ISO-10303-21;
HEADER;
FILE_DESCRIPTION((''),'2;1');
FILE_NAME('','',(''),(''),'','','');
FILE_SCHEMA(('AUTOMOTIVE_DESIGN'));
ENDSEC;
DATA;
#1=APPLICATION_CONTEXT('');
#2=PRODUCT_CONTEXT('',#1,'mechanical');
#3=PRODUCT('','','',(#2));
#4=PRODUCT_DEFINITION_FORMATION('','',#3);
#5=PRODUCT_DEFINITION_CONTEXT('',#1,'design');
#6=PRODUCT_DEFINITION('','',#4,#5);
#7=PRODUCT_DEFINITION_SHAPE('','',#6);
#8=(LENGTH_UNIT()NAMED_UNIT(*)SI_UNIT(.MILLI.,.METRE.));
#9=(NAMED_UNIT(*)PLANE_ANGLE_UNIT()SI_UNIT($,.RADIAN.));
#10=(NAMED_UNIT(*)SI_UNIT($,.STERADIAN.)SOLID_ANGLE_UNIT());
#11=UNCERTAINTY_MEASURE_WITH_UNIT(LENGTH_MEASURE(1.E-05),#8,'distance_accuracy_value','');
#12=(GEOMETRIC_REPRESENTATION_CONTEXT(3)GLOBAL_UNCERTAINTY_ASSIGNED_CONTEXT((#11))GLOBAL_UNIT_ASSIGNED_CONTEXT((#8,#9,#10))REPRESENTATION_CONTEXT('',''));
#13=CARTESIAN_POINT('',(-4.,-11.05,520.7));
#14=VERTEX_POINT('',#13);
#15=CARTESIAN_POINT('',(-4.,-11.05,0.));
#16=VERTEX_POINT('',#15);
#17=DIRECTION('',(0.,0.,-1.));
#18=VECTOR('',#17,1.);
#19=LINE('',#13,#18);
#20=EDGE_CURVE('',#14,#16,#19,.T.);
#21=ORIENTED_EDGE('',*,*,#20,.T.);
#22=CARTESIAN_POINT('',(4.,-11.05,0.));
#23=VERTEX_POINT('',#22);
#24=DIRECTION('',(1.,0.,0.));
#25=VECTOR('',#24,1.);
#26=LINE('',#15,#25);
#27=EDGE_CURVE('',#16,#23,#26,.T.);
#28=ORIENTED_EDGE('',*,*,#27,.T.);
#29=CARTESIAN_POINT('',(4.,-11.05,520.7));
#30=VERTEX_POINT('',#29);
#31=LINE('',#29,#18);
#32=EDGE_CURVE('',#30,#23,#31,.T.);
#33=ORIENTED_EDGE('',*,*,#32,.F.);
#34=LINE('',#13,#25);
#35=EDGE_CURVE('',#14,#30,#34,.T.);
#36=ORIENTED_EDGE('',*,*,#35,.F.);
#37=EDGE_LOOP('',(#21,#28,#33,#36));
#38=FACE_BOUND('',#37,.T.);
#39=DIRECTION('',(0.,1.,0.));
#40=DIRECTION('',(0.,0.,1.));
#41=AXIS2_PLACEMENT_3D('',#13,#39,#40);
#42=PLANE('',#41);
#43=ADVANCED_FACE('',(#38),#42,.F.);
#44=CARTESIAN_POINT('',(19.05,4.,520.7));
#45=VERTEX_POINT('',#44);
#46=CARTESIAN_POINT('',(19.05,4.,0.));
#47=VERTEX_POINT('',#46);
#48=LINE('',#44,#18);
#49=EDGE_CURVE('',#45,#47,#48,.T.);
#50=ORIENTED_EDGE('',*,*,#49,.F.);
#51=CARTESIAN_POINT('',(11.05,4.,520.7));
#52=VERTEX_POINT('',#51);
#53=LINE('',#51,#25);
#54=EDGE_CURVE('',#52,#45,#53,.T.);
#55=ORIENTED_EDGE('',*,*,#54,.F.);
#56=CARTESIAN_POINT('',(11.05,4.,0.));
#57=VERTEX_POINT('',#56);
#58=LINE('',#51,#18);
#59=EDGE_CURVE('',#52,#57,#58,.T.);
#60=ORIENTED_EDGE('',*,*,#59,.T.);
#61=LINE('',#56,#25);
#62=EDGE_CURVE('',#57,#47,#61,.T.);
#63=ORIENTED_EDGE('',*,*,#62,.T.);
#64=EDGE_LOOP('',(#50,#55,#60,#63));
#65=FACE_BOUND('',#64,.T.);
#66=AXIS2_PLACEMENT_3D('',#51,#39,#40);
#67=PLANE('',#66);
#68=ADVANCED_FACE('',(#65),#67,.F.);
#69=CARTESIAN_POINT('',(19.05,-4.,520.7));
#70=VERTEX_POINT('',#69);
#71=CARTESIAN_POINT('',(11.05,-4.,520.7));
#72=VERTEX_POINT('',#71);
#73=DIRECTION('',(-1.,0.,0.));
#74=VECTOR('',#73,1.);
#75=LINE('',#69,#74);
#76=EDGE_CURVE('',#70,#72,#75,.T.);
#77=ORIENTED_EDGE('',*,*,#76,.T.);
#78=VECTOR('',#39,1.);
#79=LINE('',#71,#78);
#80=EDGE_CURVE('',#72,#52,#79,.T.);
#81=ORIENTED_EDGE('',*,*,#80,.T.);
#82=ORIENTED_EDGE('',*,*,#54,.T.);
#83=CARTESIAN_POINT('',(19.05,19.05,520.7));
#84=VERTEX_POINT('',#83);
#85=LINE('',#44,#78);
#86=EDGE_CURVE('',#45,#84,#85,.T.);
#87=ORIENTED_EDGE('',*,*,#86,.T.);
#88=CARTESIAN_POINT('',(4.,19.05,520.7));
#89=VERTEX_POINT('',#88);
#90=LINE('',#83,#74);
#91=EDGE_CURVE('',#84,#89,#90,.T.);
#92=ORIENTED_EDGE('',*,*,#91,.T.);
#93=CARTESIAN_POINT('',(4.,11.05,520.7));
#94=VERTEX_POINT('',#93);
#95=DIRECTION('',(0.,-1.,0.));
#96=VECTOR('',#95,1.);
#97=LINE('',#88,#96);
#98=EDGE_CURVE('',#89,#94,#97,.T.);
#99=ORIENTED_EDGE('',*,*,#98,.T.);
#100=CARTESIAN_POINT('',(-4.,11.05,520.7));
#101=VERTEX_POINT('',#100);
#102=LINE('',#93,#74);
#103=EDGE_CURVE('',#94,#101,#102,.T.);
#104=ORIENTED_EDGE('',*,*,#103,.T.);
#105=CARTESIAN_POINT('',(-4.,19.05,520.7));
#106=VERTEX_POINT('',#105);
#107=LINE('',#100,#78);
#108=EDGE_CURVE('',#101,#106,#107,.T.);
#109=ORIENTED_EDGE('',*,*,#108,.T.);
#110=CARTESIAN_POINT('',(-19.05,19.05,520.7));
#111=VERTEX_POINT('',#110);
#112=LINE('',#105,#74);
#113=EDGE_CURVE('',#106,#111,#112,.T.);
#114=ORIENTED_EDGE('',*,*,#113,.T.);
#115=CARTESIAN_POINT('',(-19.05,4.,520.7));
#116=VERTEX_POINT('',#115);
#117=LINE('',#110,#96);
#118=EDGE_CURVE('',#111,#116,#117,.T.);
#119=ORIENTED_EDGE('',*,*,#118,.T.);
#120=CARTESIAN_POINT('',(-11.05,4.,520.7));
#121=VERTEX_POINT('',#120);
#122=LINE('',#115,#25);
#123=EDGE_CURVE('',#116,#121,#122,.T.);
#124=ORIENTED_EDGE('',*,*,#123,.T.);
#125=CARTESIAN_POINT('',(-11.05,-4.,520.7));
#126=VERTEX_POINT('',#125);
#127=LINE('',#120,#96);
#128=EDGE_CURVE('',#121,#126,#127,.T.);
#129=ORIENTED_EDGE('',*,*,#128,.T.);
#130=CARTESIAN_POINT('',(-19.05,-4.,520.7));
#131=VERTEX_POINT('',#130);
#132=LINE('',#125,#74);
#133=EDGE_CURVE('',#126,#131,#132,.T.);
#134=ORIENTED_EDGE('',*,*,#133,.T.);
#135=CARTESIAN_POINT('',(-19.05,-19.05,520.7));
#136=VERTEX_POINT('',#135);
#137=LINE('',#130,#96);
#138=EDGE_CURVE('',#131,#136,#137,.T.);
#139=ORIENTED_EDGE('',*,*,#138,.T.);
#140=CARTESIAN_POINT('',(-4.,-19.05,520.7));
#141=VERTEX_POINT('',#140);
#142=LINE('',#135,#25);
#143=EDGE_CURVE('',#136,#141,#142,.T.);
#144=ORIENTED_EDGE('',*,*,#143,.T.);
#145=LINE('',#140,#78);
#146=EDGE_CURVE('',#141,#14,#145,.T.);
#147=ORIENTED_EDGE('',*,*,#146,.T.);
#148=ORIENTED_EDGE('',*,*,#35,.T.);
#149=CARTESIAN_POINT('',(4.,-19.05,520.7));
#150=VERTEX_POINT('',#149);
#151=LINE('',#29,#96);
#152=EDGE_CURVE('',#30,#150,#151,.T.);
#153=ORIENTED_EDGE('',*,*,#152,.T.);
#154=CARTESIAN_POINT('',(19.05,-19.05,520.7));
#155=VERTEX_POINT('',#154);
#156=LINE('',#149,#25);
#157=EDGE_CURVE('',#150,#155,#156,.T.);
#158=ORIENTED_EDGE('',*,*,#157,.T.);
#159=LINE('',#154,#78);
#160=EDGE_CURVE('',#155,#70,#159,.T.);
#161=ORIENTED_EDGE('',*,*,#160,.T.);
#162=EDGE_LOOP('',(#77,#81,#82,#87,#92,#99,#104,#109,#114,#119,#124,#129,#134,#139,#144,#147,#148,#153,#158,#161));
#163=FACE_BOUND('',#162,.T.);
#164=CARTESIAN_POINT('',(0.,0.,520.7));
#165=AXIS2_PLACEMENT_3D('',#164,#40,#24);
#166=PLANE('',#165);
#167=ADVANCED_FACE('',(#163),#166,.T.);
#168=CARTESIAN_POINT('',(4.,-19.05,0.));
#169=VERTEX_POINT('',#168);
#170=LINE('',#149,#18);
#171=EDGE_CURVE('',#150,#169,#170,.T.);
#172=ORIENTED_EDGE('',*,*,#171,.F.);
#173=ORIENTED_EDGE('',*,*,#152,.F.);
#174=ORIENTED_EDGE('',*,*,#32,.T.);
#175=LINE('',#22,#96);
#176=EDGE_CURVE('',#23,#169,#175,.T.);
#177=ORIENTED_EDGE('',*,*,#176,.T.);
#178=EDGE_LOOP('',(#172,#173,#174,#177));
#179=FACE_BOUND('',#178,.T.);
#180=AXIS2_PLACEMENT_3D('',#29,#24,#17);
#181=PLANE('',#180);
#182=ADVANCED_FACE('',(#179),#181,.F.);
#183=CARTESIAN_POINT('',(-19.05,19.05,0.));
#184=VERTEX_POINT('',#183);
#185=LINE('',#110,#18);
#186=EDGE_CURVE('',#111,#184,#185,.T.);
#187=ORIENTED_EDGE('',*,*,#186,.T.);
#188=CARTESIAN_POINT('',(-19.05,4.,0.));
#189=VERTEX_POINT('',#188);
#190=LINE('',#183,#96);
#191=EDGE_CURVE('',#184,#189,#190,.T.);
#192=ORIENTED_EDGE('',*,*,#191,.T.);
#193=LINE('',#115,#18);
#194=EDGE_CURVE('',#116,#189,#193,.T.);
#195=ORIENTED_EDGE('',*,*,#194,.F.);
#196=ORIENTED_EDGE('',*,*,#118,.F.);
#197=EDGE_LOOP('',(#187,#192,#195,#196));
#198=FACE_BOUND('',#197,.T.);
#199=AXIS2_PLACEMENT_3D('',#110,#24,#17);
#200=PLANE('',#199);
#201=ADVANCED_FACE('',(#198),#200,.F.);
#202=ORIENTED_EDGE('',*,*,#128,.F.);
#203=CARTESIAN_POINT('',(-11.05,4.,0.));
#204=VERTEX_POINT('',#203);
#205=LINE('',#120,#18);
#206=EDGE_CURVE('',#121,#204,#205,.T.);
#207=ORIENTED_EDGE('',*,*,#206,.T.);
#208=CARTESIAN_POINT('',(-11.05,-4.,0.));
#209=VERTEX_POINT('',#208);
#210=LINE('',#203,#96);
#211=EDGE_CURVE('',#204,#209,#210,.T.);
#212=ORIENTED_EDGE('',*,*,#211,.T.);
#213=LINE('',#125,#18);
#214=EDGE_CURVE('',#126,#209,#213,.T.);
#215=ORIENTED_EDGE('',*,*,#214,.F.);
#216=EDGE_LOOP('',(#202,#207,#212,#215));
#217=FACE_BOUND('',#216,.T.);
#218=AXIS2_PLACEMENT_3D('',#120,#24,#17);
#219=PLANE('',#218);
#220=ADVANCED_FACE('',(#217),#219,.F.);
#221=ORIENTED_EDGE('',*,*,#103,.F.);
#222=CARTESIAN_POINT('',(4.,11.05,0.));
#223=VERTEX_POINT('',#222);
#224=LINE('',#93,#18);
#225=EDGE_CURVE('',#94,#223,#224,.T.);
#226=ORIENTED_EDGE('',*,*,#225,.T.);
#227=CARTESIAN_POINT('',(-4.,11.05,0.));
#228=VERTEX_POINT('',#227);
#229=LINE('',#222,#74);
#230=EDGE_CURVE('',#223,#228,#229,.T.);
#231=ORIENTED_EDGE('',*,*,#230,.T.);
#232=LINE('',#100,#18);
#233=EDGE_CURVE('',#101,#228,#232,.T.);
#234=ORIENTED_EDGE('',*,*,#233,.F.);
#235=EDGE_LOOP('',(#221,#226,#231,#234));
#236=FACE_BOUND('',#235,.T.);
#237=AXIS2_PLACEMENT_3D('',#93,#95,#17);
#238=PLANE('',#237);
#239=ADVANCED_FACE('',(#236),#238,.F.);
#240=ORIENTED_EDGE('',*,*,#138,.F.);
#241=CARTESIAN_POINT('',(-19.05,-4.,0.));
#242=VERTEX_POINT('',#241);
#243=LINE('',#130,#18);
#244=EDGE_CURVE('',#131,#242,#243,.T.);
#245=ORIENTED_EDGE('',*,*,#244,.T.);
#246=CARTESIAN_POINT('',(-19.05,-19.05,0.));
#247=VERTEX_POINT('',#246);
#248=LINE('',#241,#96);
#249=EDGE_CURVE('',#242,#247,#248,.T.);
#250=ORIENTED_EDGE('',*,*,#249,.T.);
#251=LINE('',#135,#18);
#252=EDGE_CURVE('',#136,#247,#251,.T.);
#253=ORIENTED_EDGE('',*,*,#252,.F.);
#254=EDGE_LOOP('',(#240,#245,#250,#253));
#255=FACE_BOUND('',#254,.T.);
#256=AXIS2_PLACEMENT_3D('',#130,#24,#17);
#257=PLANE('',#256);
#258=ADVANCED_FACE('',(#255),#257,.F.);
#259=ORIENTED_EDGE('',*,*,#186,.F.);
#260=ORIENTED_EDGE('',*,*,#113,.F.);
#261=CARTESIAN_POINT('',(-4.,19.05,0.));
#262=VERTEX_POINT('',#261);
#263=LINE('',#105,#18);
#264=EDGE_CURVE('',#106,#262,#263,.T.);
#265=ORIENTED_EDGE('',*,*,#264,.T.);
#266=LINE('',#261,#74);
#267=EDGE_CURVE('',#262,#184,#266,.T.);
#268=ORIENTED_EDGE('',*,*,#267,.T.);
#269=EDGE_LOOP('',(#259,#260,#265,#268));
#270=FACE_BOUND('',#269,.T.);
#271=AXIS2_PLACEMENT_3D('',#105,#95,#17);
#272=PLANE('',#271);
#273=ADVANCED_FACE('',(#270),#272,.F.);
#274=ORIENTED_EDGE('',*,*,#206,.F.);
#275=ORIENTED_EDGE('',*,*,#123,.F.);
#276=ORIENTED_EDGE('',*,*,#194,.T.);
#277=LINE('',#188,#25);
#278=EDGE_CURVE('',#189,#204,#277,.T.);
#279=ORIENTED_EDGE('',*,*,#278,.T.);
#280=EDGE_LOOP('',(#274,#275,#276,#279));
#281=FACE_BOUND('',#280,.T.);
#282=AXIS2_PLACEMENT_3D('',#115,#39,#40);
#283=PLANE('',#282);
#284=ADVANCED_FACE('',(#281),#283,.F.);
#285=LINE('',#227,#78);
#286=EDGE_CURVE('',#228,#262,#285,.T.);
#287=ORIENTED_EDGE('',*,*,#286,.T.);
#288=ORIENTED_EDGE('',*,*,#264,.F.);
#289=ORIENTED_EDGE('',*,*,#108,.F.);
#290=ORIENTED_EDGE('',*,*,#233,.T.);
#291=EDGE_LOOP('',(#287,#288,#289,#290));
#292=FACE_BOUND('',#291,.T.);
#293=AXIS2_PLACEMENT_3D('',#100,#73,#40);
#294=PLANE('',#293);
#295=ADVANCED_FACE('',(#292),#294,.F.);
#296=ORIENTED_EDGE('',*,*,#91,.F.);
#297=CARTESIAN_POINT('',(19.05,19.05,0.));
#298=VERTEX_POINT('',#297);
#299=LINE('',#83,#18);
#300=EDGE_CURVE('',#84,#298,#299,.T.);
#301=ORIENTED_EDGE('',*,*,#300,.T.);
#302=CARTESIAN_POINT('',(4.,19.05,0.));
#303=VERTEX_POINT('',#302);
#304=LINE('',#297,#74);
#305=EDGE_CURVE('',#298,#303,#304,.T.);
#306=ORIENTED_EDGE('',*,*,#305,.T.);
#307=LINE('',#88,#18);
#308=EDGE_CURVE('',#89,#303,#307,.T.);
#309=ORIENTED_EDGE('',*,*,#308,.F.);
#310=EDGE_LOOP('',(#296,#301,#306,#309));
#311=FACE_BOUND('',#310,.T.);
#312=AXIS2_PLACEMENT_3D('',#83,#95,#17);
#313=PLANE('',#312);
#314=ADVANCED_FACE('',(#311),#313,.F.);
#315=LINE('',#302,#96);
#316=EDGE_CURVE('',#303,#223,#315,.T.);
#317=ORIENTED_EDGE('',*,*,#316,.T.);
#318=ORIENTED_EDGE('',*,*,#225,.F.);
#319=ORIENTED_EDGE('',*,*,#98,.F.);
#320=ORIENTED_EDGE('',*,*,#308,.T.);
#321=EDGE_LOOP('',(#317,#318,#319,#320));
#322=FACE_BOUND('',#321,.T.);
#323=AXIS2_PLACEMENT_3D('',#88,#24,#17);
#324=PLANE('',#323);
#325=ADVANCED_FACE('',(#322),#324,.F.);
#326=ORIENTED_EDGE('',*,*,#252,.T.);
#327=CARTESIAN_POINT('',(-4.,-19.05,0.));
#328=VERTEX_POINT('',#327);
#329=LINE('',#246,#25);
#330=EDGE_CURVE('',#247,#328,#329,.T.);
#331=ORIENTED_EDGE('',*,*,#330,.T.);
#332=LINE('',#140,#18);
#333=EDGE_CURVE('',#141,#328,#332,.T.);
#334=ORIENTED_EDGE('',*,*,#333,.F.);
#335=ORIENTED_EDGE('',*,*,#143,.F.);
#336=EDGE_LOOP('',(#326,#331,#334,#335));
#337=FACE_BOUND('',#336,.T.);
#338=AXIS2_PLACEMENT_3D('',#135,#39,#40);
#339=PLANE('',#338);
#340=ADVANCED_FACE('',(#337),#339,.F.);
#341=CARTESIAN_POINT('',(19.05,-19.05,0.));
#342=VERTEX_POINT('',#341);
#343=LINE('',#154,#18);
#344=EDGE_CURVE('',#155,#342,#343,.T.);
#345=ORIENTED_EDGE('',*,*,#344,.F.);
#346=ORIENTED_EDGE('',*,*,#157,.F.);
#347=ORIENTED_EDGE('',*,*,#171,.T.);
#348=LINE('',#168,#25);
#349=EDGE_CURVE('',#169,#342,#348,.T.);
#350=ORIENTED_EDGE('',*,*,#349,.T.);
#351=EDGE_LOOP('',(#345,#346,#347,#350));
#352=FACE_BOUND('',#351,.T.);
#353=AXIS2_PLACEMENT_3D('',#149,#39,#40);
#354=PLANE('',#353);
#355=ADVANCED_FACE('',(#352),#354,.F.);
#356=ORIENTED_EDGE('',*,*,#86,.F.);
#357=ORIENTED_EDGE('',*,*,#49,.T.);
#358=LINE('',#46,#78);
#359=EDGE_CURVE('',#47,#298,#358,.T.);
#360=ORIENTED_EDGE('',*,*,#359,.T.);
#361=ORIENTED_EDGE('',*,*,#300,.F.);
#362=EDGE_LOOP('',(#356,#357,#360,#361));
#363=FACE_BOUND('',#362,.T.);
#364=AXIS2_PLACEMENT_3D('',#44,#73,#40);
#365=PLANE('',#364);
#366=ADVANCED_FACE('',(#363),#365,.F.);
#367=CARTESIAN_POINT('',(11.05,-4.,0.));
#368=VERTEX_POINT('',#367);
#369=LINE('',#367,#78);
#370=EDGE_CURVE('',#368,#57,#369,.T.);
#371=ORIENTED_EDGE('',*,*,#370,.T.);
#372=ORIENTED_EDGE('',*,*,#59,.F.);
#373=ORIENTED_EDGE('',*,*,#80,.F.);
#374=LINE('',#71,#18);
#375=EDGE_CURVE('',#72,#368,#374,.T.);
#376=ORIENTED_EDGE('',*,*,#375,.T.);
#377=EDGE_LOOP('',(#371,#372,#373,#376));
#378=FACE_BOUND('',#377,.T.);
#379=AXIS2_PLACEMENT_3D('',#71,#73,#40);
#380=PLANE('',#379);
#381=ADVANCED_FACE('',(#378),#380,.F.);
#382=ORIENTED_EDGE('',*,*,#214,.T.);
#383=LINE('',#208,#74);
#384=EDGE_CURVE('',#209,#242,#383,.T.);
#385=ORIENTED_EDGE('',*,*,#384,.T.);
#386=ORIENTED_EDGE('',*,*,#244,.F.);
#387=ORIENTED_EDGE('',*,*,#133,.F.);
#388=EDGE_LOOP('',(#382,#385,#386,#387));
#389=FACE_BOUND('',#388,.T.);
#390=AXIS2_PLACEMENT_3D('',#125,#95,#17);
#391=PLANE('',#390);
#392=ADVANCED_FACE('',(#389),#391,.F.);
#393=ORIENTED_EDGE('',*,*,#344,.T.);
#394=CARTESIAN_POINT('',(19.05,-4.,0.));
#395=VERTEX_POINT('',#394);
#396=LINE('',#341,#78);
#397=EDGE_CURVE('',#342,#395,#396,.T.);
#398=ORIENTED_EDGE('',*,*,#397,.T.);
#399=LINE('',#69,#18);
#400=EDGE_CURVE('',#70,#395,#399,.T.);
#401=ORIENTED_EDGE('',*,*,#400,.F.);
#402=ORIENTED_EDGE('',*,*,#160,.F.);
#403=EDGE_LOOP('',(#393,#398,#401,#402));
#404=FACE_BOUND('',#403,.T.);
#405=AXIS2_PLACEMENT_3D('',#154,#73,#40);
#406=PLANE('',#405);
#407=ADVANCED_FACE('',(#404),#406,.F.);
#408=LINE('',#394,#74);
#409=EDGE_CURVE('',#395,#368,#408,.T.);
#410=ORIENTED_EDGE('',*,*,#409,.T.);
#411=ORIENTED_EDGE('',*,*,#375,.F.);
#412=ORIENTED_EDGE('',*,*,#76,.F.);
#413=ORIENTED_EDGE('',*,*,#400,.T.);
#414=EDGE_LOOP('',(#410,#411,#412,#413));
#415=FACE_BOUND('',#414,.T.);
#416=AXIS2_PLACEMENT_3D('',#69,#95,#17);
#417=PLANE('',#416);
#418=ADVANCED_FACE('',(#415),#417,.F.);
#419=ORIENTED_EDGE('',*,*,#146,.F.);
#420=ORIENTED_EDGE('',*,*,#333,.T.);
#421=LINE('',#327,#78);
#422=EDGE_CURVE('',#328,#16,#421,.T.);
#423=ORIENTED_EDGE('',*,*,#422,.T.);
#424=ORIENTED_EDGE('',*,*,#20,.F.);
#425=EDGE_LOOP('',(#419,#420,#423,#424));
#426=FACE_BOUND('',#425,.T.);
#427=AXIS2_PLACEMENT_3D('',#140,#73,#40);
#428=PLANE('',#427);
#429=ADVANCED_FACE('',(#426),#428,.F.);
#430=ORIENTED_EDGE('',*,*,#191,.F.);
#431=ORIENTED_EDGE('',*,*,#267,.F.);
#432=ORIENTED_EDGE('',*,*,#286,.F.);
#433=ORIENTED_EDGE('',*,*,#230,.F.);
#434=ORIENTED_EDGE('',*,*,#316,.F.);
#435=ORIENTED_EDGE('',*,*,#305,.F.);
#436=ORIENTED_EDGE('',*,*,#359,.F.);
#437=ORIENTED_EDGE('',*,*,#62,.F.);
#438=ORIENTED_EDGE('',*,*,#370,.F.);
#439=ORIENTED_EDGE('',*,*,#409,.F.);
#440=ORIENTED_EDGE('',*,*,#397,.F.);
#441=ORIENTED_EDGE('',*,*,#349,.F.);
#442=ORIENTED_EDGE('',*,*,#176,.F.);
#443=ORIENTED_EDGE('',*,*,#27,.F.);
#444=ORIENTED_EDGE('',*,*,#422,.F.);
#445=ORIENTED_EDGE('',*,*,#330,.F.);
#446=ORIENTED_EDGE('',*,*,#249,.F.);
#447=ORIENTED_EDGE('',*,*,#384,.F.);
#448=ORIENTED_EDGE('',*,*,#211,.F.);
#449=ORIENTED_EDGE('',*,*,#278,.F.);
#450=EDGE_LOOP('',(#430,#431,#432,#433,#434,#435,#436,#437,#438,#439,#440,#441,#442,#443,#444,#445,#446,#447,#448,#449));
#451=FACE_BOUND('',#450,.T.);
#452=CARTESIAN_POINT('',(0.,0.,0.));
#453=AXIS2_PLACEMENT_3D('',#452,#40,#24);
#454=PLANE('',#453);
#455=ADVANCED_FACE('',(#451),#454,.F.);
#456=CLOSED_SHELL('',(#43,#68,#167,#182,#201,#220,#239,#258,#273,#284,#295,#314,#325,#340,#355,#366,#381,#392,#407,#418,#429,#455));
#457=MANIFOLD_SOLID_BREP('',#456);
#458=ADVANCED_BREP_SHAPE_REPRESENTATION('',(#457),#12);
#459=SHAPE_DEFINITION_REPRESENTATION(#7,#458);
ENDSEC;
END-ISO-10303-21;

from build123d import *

# Parameters (mm, degrees)
PROFILE_DEPTH = 520.7


with BuildPart() as part:
    # Sketch1 → Profile (new body)
    with BuildSketch(Plane.XY):
        Polygon((-19.05, -19.05), (-4, -19.05), (-4, -11.05), (4, -11.05), (4, -19.05), (19.05, -19.05), (19.05, -4), (11.05, -4), (11.05, 4), (19.05, 4), (19.05, 19.05), (4, 19.05), (4, 11.05), (-4, 11.05), (-4, 19.05), (-19.05, 19.05), (-19.05, 4), (-11.05, 4), (-11.05, -4), (-19.05, -4), align=None)
    extrude(amount=PROFILE_DEPTH)


solid = part.part
